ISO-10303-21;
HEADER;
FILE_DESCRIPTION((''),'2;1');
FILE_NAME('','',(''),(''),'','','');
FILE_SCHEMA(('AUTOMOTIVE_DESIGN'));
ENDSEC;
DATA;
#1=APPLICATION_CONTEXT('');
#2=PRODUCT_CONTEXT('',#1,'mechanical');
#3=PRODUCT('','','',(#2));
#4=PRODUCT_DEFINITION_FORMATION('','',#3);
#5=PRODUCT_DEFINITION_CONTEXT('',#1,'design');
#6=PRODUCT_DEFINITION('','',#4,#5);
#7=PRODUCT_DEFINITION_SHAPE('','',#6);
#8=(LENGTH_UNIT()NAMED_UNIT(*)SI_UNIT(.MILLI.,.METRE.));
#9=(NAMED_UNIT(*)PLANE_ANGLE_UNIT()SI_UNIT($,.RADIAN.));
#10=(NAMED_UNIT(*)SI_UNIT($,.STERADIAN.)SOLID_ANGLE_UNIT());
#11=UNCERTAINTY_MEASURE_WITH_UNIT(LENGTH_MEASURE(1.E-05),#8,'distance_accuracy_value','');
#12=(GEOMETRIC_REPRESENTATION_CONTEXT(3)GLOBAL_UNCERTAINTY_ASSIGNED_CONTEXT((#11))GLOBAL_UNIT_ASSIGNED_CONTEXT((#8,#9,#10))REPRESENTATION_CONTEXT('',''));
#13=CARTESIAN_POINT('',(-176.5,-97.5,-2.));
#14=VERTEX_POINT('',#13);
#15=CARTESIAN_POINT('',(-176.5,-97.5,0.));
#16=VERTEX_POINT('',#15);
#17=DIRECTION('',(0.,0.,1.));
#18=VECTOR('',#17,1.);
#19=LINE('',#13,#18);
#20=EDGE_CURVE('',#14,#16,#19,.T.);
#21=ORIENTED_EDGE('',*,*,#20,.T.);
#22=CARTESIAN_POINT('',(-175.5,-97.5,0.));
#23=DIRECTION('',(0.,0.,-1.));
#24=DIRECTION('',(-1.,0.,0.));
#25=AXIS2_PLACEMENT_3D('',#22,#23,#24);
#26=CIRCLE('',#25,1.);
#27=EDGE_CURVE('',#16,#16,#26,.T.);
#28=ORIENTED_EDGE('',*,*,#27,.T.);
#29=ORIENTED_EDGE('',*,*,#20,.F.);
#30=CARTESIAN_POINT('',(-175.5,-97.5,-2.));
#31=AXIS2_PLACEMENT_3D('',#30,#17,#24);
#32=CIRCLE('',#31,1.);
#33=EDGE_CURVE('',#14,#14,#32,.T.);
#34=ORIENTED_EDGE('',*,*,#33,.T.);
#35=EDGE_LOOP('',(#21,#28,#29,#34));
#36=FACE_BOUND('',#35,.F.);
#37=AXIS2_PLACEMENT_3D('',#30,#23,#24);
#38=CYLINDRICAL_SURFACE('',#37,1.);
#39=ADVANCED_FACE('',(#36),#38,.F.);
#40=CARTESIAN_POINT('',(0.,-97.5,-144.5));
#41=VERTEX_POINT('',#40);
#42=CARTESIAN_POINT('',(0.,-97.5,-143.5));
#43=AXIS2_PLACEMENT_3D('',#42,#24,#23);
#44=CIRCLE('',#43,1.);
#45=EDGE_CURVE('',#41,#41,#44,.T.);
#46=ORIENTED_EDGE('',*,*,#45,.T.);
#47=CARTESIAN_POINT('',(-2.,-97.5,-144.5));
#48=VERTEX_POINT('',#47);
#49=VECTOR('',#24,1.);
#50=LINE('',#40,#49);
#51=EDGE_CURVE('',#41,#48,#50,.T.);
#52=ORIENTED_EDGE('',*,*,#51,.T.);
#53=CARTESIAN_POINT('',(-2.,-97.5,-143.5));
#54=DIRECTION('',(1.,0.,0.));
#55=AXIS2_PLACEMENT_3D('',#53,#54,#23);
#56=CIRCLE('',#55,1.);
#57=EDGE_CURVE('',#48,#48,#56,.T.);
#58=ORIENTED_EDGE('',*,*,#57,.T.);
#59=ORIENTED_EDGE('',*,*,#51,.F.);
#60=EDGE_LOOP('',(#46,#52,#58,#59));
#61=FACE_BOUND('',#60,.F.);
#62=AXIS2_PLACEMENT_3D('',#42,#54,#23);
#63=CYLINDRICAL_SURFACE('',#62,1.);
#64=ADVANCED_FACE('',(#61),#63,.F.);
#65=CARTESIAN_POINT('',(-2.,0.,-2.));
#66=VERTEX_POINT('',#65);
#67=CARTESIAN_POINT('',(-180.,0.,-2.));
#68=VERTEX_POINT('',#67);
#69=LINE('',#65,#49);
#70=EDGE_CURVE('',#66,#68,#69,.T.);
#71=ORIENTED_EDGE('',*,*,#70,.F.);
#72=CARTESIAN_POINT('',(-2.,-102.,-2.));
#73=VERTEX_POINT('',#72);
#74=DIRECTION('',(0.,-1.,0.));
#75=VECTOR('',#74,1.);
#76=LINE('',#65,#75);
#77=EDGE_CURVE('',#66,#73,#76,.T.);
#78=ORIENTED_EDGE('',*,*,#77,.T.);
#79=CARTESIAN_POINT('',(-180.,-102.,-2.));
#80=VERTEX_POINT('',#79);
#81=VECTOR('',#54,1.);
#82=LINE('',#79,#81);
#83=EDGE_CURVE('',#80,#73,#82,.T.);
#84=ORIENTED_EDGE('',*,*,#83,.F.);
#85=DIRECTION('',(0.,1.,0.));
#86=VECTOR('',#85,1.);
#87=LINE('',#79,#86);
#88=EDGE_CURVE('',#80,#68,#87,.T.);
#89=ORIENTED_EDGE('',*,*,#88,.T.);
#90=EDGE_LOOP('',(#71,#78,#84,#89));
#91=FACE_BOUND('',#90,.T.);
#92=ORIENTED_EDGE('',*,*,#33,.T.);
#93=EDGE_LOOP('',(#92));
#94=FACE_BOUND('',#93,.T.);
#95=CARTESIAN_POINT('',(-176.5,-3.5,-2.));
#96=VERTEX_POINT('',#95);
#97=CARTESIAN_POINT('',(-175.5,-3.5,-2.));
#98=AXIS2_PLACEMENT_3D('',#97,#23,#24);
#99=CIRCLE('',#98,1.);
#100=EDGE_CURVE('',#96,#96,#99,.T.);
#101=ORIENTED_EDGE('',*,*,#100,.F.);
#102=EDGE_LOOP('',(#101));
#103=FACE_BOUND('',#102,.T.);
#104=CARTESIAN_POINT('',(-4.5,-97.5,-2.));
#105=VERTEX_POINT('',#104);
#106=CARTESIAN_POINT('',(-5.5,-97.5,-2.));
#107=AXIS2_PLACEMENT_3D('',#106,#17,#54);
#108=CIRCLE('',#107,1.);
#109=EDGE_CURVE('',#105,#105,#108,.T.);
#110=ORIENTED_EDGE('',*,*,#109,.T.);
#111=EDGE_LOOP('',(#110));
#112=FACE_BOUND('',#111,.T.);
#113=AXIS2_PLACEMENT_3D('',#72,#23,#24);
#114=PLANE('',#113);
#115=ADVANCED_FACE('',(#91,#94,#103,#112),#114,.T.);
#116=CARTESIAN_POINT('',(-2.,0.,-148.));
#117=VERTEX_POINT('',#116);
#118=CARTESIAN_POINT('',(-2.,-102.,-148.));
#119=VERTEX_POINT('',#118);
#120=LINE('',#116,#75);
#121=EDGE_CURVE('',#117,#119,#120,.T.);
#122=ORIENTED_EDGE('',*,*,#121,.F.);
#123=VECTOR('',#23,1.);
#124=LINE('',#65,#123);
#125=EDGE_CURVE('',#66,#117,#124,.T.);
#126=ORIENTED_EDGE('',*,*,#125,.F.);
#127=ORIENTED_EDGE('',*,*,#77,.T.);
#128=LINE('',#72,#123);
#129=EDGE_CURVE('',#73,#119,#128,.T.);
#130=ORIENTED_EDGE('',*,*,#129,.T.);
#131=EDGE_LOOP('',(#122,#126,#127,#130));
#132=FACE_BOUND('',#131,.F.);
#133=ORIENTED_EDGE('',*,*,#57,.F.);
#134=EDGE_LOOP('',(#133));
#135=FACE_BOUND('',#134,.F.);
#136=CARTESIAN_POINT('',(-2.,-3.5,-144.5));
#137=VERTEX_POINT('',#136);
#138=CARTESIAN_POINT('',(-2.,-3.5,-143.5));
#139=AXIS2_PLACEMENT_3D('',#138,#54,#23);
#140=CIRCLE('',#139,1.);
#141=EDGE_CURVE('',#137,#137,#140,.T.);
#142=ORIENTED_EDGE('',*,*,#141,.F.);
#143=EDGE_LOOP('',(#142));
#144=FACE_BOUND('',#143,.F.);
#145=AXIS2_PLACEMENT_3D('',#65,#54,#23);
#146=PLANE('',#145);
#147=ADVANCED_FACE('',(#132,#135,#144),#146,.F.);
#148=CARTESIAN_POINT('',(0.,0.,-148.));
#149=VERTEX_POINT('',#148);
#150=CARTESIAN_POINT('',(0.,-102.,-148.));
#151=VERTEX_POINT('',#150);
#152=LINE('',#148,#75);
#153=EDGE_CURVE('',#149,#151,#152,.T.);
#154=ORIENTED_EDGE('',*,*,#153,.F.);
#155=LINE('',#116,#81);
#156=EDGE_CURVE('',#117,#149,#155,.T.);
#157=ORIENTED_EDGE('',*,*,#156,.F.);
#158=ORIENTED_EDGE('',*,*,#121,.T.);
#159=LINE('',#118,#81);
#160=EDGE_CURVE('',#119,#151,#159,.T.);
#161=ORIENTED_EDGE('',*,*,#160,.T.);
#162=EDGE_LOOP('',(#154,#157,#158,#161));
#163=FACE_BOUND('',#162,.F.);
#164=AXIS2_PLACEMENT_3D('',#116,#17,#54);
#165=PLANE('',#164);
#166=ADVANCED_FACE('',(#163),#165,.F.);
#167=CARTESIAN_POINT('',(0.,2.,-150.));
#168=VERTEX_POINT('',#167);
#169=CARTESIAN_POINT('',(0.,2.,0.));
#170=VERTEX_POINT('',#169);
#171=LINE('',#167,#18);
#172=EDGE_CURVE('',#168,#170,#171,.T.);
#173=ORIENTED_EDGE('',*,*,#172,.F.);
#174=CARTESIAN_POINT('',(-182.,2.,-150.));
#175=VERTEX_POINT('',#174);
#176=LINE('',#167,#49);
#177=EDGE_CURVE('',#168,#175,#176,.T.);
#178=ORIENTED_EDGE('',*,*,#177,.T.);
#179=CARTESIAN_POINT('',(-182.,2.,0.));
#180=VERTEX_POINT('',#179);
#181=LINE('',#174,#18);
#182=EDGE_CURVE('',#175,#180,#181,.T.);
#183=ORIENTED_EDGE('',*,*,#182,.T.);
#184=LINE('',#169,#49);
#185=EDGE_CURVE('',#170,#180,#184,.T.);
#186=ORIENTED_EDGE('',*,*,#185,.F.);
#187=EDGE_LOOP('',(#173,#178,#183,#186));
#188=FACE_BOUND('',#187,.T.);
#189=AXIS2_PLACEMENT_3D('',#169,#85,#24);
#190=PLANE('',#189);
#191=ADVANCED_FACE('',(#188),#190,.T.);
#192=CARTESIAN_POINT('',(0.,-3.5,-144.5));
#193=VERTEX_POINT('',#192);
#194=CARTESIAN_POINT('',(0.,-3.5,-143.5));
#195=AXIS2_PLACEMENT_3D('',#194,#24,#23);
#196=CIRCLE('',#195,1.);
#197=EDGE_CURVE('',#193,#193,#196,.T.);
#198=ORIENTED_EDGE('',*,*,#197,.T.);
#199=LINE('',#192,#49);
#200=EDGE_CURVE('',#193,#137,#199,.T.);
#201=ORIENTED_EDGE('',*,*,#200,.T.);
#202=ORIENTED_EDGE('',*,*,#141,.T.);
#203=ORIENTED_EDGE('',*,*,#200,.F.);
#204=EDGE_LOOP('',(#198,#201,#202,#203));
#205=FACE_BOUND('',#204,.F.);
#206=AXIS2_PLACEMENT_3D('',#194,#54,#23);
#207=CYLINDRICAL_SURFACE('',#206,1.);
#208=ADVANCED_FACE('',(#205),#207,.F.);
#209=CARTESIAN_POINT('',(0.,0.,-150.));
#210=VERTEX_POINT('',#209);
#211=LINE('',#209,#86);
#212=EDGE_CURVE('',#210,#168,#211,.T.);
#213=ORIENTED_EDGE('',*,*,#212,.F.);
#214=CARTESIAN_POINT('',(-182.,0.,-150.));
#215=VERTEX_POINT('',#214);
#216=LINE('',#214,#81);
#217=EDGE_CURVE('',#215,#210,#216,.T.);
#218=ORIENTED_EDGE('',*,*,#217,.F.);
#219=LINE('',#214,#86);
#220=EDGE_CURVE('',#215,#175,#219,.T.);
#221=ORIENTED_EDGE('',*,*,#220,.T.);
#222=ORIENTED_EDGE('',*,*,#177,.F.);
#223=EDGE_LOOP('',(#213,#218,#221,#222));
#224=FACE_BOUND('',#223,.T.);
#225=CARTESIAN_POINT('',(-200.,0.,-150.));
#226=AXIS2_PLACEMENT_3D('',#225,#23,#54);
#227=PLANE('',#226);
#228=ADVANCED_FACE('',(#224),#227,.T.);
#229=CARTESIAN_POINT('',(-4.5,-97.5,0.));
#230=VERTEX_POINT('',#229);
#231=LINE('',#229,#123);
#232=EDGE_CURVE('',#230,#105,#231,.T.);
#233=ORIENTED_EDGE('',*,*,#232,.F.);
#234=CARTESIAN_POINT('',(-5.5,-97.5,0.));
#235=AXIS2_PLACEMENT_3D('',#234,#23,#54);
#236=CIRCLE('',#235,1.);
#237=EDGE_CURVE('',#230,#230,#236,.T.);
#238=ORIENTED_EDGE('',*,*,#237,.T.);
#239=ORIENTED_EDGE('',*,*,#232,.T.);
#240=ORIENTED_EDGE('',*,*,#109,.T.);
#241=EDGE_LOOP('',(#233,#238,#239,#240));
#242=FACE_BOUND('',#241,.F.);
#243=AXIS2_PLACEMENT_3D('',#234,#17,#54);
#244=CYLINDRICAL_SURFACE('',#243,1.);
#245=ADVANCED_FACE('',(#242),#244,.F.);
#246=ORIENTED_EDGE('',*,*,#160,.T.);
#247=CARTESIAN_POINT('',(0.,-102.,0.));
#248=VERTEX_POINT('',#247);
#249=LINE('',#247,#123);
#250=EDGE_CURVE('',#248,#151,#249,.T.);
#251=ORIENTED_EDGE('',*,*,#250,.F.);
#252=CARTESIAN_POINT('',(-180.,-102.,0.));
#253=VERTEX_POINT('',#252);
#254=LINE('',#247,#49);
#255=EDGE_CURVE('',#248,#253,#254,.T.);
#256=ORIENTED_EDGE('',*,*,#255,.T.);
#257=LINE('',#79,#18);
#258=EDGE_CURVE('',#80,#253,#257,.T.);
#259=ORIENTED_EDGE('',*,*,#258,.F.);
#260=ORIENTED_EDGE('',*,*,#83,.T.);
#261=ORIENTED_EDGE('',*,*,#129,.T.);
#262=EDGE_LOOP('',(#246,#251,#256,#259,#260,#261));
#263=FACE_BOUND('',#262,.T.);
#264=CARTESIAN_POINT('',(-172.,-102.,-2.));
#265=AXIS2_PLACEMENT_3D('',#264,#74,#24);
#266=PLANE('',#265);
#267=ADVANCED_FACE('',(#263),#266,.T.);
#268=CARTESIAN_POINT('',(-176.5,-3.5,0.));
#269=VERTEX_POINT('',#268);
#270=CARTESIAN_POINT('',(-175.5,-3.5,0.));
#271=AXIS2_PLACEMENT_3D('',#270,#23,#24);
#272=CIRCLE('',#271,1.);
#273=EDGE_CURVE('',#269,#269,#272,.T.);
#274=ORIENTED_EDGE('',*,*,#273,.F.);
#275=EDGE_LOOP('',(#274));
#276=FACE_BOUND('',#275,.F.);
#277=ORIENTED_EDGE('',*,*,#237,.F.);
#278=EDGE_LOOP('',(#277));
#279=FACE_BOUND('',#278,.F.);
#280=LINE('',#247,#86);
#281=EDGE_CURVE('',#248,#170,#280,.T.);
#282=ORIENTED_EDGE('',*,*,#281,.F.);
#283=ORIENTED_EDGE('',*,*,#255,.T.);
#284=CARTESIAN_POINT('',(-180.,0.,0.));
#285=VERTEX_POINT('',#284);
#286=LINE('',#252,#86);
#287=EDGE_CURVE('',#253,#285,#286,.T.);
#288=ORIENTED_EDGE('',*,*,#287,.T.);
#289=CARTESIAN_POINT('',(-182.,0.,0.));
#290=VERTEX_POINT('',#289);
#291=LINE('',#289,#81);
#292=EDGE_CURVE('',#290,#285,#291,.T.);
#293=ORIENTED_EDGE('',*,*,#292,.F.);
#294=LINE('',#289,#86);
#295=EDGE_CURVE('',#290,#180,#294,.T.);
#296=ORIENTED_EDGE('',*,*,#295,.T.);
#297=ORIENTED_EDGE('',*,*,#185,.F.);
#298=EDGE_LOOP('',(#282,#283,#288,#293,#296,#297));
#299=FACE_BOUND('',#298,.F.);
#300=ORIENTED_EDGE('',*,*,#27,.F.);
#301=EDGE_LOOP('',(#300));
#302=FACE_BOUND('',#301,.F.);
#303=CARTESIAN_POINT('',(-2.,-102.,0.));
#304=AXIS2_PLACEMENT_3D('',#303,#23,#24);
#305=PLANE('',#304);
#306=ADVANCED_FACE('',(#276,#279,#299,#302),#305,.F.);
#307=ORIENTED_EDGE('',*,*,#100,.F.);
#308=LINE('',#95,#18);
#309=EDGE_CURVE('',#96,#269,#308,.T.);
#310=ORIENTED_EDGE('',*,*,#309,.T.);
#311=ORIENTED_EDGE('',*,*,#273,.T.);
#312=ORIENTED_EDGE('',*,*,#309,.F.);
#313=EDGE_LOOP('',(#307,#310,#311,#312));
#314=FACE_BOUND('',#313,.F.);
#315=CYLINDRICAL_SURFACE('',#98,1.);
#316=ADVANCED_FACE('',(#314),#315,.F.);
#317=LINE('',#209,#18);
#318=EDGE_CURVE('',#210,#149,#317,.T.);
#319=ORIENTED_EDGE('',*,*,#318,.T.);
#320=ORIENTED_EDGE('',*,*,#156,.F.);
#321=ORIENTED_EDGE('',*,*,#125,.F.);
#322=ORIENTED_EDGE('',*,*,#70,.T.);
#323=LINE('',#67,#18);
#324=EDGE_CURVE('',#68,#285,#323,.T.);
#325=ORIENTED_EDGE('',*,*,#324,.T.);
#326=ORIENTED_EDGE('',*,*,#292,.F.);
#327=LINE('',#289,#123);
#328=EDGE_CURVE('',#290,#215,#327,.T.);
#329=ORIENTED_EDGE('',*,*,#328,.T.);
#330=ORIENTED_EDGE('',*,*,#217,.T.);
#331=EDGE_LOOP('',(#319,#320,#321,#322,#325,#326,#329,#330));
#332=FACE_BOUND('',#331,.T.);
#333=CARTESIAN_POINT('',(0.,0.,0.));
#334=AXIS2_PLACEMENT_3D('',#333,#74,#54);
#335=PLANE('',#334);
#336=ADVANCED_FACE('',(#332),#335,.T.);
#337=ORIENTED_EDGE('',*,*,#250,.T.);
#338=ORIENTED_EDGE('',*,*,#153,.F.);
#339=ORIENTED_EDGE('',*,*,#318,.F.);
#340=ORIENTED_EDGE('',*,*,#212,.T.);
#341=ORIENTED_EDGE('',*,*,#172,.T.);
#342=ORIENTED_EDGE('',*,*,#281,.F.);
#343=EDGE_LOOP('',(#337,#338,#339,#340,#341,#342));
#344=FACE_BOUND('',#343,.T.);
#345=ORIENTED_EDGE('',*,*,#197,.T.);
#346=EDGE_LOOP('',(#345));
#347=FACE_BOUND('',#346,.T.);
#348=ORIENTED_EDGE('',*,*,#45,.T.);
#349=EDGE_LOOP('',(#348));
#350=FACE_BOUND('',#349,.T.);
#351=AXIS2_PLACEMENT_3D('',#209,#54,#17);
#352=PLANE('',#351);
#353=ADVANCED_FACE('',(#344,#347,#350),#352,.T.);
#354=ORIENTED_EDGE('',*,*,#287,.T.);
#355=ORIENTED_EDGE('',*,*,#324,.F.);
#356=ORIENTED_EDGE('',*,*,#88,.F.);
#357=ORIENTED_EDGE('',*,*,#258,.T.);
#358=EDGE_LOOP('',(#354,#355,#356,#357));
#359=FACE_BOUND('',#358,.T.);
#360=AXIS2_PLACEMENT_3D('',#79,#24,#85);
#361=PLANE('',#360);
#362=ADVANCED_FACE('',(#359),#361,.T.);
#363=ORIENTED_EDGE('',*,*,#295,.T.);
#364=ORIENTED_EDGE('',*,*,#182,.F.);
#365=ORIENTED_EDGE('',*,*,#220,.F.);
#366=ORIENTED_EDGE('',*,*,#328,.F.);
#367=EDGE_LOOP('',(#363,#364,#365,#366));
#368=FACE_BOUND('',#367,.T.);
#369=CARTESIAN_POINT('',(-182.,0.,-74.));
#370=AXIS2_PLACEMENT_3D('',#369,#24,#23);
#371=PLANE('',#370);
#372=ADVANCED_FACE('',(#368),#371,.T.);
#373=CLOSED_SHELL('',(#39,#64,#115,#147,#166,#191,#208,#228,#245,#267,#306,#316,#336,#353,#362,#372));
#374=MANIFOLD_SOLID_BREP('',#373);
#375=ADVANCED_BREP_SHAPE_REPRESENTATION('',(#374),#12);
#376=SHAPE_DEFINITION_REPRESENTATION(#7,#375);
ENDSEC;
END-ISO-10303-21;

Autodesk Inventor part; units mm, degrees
ref_plane "YZ Plane" through (0, 0, 0) normal (1, 0, 0) x (0, 1, 0)
ref_plane "XZ Plane" through (0, 0, 0) normal (0, 1, 0) x (-1, 0, 0)
ref_plane "XY Plane" through (0, 0, 0) normal (0, 0, 1) x (1, 0, 0)
sketch "Sketch1" plane through (0, 0, 0) normal (0, 1, 0) x (-1, 0, 0)
  line L0 (0, 0) -> (200, 0)
  line L1 (200, 0) -> (200, -150)
  line L2 (200, -150) -> (0, -150)
  line L3 (0, -150) -> (0, 0)
  dimension "d0" = 200
  dimension "d1" = 150
extrude "Extrusion1" add sketch "Sketch1" along normal blind 2
sketch "Sketch2" plane through (0, 0, 0) normal (0, -1, 0) x (1, 0, 0)
  line L0 (-200, 0) -> (0, 0) projected
  line L1 (-200, 0) -> (-198, 0)
  line L2 (-198, 0) -> (-198, -2)
  line L3 (-198, -2) -> (-2, -2)
  line L4 (-2, -2) -> (-2, -148)
  line L5 (-2, -148) -> (0, -148)
  line L6 (0, 0) -> (0, -150) projected
  dimension "d4" = 2
  dimension "d5" = 2
  dimension "d6" = 196
  dimension "d7" = 146
extrude "Extrusion2" add sketch "Sketch2" along normal blind 102
sketch "Sketch3" plane through (-200, 2, 0) normal (0, 0, 1) x (1, 0, 0)
  line L0 (0, -2) -> (2, -2) projected
  line L1 (2, -2) -> (6.5, -2)
  line L2 (198, -2) -> (2, -2) projected
  line L3 (6.5, -2) -> (6.5, -5.5)
  circle A0 centre (6.5, -5.5) radius 1
  line L4 (2, -104) -> (198, -104) projected
  line L5 (2, -104) -> (6.5, -104)
  line L6 (6.5, -104) -> (6.5, -99.5)
  circle A1 centre (6.5, -99.5) radius 1
  line L7 (200, -104) -> (2, -104) projected
  line L8 (200, -104) -> (194.5, -104)
  line L9 (194.5, -104) -> (194.5, -99.5)
  circle A2 centre (194.5, -99.5) radius 1
  point P0 (200, -2)
  dimension "d10" = 4.5
  dimension "d11" = 3.5
  dimension "d12" = 2
  dimension "d13" = 4.5
  dimension "d14" = 4.5
  dimension "d15" = 5.5
extrude "Extrusion3" cut sketch "Sketch3" against normal blind 10
sketch "Sketch4" plane through (0, 2, 0) normal (1, 0, 0) x (0, 0, -1)
  line L0 (148, -2) -> (148, -104) projected
  line L1 (148, -2) -> (143.5, -2)
  line L2 (150, -2) -> (0, -2) projected
  line L3 (143.5, -2) -> (143.5, -5.5)
  line L4 (148, -104) -> (143.5, -104)
  line L5 (143.5, -104) -> (143.5, -99.5)
  line L6 (143.5, -99.5) -> (148, -99.5)
  line L7 (148, -99.5) -> (148, -104)
  circle A0 centre (143.5, -99.5) radius 1
  circle A1 centre (143.5, -5.5) radius 1
  dimension "d18" = 4.5
  dimension "d19" = 3.5
  dimension "d20" = 4.5
  dimension "d21" = 4.5
  dimension "d22" = 2
extrude "Extrusion4" cut sketch "Sketch4" against normal blind 10 contours A1 | A0 L5 L6 | L6 L5 A0
sketch "Sketch5" plane through (0, 0, 0) normal (0, -1, 0) x (1, 0, 0)
  line L0 (-2, -148) -> (-2, -2) projected
  line L1 (-2, -75) -> (-172, -75)
  line L2 (-200, -150) -> (-200, 0) projected
  line L3 (-172, -75) -> (-174, -75)
  line L4 (-172, -75) -> (-172, -2)
  line L5 (-2, -2) -> (-198, -2) projected
  line L6 (0, -150) -> (-200, -150) projected
  line L7 (-172, -2) -> (-2, -2)
  line L8 (-2, -2) -> (-2, -150)
  line L9 (-2, -150) -> (-172, -150)
  line L10 (-172, -150) -> (-172, -2)
  line L11 (-200, 0) -> (0, 0) projected
  line L12 (-174, 0) -> (-2, 0)
  line L13 (-2, 0) -> (-2, -150)
  line L14 (-2, -150) -> (-174, -150)
  line L15 (-174, -150) -> (-174, 0)
  dimension "d28" = 170
  dimension "d29" = 2
sketch "Sketch6" plane through (-2, 0, -2) normal (0, 0, -1) x (-1, 0, 0)
  point P0 (-2, 0)
extrude "Extrusion5" cut sketch "Sketch5" along normal mid plane 1000 contours L15 L6 L2 L11
sketch "Sketch7" plane through (0, 0, 0) normal (0, -1, 0) x (1, 0, 0)
  line L0 (-174, -2) -> (-2, -2) projected
  line L1 (-174, -2) -> (-172, -2)
  line L2 (-172, -2) -> (-172, 0)
  line L3 (-174, 0) -> (0, 0) projected
  line L4 (-174, 0) -> (-172, 0)
  line L5 (-174, 0) -> (-174, -2)
  dimension "d32" = 2
extrude "Extrusion6" cut sketch "Sketch7" along normal blind 1000
sketch "Sketch9" plane through (0, 0, 0) normal (0, -1, 0) x (1, 0, 0)
  line L0 (0, -148) -> (0, 0) projected
  line L1 (0, -74) -> (-182, -74)
  line L2 (-174, 0) -> (-174, -150) projected
  line L3 (-174, 0) -> (-182, 0)
  line L4 (-182, 0) -> (-182, -150)
  line L5 (-182, -150) -> (-174, -150)
  line L6 (-174, -150) -> (-174, 0)
  dimension "d44" = 182
extrude "Extrusion8" add sketch "Sketch9" against normal blind 2
sketch "Sketch10" plane through (-2, -102, -2) normal (0, 0, -1) x (-1, 0, 0)
  line L0 (180, 102) -> (-2, 102) projected
  line L1 (180, 102) -> (178, 102)
  line L2 (170, 102) -> (170, 0) projected
  line L3 (178, 102) -> (170, 102)
  line L4 (170, 102) -> (170, 0)
  line L5 (170, 0) -> (178, 0)
  line L6 (178, 0) -> (178, 102)
  dimension "d47" = 2
extrude "Extrusion9" add sketch "Sketch10" against normal blind 2
sketch "Sketch11" plane through (-2, -102, -2) normal (0, 0, -1) x (-1, 0, 0)
  line L0 (0, 102) -> (178, 102) projected
  line L1 (178, 102) -> (178, 98.5)
  line L2 (178, 0) -> (178, 102) projected
  line L3 (178, 98.5) -> (173.5, 98.5)
  line L4 (178, 0) -> (0, 0) projected
  line L5 (178, 0) -> (173.5, 0)
  line L6 (173.5, 0) -> (173.5, 4.5)
  circle A0 centre (173.5, 98.5) radius 1
  circle A1 centre (173.5, 4.5) radius 1
  point P0 (-2, 102)
  dimension "d50" = 3.5
  dimension "d51" = 4.5
  dimension "d52" = 4.5
  dimension "d53" = 2
extrude "Extrusion10" cut sketch "Sketch11" against normal blind 2
properties part number "kevnat part2"
